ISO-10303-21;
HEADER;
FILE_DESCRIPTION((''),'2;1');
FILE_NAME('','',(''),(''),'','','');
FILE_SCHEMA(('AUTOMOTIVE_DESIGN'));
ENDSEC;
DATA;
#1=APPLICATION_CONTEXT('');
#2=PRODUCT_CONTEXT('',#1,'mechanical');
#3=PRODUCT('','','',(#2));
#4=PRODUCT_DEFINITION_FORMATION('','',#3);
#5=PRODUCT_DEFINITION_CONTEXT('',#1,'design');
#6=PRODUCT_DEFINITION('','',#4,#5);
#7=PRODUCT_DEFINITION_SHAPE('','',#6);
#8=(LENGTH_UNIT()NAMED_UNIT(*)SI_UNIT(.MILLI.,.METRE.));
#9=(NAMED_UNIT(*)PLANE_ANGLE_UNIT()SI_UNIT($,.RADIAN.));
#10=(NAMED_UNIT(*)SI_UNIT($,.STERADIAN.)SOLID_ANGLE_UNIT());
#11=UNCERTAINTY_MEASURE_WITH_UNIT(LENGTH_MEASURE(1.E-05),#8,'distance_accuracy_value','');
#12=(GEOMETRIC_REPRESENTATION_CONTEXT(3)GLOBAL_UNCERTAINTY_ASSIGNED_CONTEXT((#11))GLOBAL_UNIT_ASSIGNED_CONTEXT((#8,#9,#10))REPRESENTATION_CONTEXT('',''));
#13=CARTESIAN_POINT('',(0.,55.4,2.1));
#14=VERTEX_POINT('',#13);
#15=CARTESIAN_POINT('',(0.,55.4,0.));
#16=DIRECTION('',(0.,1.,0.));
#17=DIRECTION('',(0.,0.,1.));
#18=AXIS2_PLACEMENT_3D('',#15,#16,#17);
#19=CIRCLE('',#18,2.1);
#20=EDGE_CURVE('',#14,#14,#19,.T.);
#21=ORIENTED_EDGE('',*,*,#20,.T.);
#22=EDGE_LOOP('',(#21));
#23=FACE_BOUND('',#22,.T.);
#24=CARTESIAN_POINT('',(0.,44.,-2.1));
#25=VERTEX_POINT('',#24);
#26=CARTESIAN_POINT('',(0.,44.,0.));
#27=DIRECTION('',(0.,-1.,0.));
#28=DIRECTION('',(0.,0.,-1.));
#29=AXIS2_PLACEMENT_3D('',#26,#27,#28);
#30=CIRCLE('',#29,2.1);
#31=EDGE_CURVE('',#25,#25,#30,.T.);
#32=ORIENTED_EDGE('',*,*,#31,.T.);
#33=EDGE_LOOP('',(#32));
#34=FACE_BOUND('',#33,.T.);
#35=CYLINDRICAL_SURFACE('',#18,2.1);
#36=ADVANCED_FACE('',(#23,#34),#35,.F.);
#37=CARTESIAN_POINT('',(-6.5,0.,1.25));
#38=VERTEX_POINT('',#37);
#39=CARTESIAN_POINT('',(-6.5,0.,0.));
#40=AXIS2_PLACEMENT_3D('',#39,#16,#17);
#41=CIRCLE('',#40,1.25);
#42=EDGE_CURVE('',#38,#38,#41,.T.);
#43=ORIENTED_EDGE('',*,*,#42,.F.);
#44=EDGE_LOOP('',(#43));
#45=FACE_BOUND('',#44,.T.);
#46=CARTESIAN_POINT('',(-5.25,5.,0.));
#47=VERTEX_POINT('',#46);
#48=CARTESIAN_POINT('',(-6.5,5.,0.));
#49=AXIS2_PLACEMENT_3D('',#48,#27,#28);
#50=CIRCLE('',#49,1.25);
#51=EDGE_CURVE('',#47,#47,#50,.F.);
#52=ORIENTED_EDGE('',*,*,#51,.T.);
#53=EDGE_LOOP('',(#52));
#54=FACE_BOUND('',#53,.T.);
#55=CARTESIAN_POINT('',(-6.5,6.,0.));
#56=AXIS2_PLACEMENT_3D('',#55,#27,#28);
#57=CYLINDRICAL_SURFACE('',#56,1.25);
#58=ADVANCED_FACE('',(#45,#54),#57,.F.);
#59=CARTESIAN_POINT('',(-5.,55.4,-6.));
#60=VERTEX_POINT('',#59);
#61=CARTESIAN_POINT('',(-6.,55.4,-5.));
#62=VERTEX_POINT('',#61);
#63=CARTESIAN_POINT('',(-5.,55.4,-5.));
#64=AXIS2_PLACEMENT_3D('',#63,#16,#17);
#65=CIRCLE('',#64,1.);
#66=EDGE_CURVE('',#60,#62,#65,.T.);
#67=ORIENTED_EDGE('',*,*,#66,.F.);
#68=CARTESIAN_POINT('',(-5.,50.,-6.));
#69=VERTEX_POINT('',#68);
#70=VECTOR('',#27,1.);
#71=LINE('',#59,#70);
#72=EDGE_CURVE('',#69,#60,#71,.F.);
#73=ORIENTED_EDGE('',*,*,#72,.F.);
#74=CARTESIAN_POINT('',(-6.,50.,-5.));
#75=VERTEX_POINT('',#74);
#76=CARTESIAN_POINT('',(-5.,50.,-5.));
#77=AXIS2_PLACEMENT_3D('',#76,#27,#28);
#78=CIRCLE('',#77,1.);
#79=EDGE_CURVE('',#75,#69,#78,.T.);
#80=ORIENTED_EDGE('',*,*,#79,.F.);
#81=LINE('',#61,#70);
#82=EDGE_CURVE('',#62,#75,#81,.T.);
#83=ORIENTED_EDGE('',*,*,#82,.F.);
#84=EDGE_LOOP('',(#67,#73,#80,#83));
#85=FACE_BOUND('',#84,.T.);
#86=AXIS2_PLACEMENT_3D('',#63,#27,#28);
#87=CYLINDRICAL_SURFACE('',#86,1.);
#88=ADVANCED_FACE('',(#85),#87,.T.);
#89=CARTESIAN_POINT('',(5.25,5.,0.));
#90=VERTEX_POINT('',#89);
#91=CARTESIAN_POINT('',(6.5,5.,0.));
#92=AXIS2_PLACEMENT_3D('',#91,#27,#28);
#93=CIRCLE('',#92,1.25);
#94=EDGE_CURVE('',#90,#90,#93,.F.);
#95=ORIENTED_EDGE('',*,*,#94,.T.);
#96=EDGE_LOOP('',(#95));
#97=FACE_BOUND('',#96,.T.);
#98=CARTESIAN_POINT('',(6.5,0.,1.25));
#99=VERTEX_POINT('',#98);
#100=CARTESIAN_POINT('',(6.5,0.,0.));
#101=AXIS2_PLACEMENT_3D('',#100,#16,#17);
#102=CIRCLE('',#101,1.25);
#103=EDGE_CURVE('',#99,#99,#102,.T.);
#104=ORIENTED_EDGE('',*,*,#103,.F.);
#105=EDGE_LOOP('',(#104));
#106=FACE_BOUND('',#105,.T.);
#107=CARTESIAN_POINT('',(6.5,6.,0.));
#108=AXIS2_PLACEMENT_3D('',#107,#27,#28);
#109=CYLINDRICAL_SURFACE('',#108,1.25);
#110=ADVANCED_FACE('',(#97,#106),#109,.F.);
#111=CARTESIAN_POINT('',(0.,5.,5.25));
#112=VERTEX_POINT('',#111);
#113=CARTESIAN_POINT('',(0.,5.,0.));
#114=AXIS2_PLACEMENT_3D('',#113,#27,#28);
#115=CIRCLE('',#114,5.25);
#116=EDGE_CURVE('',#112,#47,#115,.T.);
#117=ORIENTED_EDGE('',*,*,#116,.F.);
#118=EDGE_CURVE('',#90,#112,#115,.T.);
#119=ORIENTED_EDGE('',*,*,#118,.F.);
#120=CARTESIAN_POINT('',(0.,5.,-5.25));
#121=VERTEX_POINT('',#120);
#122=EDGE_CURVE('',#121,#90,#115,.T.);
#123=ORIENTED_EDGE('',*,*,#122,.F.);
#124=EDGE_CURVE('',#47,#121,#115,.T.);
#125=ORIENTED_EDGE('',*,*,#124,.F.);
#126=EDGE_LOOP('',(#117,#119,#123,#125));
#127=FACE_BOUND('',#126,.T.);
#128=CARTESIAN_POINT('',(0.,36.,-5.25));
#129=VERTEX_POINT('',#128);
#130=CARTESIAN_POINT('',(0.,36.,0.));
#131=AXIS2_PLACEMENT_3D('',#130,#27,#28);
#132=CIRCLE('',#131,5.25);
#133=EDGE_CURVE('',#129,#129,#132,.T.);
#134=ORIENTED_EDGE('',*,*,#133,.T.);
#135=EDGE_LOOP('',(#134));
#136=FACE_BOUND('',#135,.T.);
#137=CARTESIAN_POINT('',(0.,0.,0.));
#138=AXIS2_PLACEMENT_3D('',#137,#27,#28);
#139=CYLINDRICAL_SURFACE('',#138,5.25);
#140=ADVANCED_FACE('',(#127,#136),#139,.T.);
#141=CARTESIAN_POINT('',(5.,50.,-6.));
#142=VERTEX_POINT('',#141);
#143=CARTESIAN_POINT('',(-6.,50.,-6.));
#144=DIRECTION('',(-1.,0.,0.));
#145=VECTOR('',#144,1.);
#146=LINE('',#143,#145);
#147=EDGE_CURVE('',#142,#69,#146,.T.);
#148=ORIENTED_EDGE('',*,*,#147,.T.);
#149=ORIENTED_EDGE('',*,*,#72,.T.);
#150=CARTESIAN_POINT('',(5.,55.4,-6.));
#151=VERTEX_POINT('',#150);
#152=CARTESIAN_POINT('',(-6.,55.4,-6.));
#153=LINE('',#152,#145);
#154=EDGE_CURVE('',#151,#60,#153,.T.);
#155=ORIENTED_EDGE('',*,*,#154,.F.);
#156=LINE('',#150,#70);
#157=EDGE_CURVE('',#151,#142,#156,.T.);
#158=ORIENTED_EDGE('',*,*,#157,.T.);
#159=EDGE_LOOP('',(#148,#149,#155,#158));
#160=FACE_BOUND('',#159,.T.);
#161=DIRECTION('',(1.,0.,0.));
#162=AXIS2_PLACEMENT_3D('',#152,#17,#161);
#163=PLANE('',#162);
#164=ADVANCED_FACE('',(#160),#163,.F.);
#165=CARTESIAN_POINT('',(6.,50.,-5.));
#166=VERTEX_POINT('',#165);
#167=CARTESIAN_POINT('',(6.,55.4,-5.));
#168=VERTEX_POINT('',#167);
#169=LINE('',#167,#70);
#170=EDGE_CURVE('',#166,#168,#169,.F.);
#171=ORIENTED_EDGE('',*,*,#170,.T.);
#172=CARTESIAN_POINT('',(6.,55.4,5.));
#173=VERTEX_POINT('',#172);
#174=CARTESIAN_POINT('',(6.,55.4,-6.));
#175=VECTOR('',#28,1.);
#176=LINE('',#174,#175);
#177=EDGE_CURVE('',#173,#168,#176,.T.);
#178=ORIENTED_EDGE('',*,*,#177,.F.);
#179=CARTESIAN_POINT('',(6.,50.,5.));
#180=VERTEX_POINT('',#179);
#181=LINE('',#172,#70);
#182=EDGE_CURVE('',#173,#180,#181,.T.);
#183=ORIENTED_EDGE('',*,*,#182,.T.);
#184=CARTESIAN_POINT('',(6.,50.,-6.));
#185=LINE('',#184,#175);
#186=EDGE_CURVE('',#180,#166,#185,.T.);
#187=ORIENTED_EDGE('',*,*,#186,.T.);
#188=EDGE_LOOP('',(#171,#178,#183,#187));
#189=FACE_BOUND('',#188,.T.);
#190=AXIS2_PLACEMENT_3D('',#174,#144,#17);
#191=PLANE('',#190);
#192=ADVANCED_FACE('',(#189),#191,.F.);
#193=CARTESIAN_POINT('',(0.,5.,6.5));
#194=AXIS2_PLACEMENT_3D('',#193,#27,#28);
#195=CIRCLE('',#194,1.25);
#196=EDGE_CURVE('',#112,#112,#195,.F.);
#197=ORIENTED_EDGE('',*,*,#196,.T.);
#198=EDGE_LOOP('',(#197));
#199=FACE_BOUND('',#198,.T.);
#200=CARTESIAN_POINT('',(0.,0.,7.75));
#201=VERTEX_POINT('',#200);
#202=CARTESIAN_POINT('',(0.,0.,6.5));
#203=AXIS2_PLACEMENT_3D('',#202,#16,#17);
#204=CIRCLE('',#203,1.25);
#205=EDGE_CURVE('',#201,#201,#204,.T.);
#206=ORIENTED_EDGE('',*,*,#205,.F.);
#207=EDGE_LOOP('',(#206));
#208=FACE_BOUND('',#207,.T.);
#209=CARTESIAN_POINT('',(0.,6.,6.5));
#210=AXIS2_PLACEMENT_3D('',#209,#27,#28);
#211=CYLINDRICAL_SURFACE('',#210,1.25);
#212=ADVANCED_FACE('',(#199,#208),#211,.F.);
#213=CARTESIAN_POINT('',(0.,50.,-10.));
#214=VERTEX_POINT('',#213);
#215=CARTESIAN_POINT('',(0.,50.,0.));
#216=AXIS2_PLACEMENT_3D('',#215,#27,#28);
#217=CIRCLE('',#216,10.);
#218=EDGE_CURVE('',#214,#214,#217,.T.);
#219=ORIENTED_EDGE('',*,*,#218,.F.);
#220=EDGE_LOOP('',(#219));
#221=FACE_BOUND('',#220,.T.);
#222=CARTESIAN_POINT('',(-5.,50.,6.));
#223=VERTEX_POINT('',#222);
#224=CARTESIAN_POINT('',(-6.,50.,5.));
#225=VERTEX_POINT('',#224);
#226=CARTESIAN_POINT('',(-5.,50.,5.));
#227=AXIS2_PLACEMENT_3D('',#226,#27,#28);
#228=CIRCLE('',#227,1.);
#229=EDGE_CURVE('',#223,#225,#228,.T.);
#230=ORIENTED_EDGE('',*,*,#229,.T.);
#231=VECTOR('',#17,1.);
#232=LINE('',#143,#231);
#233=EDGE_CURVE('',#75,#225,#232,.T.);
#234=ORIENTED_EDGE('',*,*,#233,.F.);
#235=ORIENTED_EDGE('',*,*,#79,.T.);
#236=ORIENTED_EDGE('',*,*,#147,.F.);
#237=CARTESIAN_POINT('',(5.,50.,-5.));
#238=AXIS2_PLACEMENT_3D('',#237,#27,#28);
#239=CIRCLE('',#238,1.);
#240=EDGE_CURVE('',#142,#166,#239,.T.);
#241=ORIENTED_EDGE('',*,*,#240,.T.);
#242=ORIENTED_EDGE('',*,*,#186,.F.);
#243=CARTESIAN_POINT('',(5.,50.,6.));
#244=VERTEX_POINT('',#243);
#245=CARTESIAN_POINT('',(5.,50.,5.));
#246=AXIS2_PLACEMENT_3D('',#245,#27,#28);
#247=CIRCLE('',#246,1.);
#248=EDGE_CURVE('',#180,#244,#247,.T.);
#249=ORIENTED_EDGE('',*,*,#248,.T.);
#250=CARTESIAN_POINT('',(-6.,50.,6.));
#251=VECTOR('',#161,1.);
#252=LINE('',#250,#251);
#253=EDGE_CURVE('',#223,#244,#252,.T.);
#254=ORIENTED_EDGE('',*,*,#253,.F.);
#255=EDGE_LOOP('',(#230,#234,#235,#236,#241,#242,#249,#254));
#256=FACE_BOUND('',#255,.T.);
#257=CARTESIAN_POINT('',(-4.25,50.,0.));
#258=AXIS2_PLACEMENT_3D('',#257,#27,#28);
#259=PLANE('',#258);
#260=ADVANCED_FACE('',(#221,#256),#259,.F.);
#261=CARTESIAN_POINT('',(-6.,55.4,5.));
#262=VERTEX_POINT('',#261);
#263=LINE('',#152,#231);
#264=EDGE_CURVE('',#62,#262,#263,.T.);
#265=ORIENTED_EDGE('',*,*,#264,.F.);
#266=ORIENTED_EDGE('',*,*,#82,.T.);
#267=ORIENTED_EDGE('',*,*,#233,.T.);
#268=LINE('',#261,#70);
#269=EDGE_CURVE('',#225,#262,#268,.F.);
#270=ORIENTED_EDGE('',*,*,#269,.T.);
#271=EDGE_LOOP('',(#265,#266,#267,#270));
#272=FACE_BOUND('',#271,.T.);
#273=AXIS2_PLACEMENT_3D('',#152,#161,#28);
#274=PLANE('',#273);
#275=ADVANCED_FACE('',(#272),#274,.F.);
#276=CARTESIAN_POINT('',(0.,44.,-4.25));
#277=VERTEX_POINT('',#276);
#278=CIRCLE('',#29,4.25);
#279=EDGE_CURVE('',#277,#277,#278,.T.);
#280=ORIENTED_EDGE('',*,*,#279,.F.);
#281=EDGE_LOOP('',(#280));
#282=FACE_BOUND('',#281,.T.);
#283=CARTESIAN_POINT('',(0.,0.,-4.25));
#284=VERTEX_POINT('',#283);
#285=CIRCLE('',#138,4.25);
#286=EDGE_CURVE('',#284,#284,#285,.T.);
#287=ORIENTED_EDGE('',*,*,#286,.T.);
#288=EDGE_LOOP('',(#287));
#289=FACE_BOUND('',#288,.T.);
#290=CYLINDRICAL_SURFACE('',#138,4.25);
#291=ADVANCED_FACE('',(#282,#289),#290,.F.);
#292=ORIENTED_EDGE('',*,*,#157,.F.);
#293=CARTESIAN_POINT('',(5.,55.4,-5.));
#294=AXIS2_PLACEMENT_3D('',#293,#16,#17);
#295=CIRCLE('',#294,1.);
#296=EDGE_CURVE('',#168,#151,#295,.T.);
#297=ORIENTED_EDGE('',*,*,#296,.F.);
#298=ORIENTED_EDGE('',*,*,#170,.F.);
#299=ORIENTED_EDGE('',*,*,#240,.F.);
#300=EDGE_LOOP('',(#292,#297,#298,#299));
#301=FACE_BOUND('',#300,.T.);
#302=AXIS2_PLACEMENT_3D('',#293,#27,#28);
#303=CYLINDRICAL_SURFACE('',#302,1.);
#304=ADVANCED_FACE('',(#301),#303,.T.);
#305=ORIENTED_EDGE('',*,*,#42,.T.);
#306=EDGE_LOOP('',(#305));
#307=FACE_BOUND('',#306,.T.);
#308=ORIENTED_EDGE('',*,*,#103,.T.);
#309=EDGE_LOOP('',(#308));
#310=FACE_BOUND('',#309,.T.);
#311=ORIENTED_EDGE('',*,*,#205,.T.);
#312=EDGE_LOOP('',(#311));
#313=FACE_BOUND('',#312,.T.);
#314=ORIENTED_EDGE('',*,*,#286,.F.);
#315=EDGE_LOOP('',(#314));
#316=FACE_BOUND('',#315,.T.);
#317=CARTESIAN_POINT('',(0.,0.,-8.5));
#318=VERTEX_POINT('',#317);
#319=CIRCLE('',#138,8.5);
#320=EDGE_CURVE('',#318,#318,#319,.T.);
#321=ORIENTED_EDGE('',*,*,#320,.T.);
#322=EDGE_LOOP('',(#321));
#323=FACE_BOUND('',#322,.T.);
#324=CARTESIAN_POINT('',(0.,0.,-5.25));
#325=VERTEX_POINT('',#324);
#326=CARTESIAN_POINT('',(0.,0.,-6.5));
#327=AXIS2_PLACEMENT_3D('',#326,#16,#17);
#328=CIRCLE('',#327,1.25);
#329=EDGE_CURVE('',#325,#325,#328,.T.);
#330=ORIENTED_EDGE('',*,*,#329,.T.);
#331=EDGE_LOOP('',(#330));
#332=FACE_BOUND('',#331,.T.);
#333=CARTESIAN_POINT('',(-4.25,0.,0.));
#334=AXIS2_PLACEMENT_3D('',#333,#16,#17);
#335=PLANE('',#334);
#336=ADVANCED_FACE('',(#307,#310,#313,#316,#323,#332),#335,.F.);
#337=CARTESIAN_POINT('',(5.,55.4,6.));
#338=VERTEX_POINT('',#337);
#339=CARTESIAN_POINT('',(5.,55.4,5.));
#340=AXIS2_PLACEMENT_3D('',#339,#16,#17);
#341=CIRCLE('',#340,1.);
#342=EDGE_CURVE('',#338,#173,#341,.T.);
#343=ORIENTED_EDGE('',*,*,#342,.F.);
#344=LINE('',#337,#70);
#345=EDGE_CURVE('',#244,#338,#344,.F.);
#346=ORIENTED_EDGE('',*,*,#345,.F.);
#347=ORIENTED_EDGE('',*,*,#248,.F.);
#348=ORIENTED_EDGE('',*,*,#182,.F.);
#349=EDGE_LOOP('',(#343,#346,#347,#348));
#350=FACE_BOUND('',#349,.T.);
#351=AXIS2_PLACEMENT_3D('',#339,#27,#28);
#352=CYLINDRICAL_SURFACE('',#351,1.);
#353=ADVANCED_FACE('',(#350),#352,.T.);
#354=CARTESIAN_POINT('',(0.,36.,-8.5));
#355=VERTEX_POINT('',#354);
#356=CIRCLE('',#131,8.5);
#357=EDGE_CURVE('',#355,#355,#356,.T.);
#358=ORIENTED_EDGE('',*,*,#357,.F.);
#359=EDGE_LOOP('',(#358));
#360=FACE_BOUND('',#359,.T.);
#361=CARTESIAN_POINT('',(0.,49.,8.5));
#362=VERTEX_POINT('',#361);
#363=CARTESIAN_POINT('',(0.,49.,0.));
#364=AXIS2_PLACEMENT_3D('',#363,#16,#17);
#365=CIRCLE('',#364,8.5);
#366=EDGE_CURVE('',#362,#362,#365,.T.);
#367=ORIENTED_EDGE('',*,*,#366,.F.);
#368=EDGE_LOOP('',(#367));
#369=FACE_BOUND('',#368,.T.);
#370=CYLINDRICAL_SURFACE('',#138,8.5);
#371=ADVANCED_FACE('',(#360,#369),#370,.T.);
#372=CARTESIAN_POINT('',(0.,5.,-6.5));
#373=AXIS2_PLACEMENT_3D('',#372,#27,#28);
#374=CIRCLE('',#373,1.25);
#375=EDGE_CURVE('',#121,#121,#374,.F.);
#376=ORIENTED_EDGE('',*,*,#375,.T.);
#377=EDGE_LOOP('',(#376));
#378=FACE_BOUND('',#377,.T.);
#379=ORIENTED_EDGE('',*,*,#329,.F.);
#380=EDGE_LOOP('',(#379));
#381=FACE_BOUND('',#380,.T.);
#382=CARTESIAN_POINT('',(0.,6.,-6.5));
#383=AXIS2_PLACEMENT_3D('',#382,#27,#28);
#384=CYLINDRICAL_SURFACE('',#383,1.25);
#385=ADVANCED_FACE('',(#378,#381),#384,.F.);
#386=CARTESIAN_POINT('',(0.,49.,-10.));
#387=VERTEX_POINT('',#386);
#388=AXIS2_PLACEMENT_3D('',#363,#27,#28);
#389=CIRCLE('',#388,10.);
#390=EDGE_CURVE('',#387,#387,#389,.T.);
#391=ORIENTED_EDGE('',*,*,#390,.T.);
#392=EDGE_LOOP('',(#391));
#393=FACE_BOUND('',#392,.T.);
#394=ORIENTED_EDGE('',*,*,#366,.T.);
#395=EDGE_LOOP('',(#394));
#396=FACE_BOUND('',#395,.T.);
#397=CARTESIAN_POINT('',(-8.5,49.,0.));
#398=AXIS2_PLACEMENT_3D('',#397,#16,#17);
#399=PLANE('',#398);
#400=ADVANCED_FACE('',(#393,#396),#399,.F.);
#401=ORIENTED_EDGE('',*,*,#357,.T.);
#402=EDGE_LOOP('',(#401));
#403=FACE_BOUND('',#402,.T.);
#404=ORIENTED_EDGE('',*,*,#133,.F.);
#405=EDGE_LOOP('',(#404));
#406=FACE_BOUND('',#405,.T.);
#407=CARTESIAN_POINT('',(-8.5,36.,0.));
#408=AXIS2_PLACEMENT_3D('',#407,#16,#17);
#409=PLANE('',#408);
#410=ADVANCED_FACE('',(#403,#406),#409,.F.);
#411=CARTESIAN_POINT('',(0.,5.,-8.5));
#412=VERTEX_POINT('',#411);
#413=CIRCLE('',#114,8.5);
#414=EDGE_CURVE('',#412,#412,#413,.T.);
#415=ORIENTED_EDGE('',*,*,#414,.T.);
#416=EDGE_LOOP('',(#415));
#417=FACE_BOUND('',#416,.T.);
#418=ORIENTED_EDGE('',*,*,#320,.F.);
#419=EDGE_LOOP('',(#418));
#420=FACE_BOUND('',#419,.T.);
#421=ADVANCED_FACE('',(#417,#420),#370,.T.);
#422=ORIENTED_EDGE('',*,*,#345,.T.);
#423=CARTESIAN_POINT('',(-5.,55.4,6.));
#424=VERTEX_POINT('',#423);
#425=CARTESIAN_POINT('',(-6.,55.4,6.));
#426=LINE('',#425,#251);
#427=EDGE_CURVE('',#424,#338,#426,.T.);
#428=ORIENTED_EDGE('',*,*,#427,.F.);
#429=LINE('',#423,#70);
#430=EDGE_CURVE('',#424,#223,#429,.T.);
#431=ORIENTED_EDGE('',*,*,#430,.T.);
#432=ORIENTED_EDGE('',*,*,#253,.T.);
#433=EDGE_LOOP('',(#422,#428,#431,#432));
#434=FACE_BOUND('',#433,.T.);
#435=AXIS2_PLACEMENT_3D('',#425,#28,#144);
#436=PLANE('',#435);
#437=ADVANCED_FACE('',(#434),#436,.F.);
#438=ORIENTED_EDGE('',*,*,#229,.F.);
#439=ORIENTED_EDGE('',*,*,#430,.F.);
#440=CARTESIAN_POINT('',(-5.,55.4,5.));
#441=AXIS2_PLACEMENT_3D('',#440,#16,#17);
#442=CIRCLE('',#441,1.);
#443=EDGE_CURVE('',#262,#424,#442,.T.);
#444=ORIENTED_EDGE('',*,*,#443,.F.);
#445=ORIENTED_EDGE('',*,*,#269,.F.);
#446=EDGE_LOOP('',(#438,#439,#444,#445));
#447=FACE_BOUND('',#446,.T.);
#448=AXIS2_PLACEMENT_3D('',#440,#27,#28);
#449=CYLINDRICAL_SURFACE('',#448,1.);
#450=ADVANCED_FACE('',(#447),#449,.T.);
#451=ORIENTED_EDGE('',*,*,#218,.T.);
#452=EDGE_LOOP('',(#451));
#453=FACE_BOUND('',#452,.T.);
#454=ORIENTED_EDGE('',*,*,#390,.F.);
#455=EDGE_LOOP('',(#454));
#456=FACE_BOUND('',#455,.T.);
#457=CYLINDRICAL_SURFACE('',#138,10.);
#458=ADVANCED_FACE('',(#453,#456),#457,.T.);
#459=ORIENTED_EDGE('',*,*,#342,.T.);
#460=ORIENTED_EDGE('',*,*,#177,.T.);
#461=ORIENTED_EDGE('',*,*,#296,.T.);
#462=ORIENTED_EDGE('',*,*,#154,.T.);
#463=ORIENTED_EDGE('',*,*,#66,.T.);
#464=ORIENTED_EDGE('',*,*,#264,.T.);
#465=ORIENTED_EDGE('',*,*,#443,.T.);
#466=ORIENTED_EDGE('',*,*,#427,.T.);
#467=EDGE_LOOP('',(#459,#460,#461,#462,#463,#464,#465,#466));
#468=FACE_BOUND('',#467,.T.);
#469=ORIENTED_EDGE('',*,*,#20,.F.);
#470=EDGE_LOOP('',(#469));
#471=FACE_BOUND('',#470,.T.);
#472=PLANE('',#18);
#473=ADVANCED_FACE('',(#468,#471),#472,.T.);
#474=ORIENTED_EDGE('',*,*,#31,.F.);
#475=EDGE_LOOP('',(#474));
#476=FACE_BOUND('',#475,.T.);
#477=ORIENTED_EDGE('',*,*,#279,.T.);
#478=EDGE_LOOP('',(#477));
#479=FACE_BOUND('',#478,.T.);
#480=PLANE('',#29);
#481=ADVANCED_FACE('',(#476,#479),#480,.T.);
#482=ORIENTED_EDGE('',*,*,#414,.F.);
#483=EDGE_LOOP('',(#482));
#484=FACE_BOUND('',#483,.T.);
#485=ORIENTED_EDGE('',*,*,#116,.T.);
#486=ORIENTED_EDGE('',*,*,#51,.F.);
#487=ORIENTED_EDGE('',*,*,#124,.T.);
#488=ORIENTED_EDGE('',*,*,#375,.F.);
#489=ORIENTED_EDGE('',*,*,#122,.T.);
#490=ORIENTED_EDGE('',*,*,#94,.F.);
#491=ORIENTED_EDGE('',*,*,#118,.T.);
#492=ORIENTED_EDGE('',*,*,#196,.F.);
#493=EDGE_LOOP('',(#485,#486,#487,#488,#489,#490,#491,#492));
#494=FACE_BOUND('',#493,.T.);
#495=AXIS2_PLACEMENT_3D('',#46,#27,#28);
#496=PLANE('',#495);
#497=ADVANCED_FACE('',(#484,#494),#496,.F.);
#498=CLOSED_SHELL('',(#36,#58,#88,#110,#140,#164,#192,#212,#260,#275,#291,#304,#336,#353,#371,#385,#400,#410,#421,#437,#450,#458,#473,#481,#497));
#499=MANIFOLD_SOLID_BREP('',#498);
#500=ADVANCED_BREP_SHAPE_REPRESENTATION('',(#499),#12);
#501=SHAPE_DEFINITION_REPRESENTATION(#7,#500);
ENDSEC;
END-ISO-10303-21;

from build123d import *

# Parameters (mm, degrees)
CUT_EXTRUDE_START   = -50
SKETCH_2_R          = 1.25
CUT_EXTRUDE_2_DEPTH = 6
SKETCH_4_W          = 12
SKETCH_4_H          = 12
EXTRUDE_1_DEPTH     = 5.4
FILLET_1_R          = 1
SKETCH_5_W          = 1.5
SKETCH_5_H          = 1
SKETCH_6_R          = 4.25
EXTRUDE_2_DEPTH     = 6
HOLE_WIZARD_M5_2_D  = 4.2


with BuildPart() as part:
    # 草图1 → 旋转1 (revolve)
    with BuildSketch(Plane.XY):
        Polygon((-8.5, 36), (-5.25, 36), (-5.25, 5), (-8.5, 5), (-8.5, 0), (-4.25, 0), (-4.25, 50), (-8.5, 50), align=None)
    revolve(axis=Axis((0, 0, 0), (0, 1, 0)))

    # 草图2 → 切除-拉伸2 (cut)
    with BuildSketch(Plane(origin=(0, 50, 0), x_dir=(1, 0, 0), z_dir=(0, 1, 0)).offset(CUT_EXTRUDE_START)):
        with Locations((0, 6.5)):
            Circle(SKETCH_2_R)
        with Locations((0, -6.5)):
            Circle(SKETCH_2_R)
        with Locations((-6.5, 0)):
            Circle(SKETCH_2_R)
        with Locations((6.5, 0)):
            Circle(SKETCH_2_R)
    extrude(amount=CUT_EXTRUDE_2_DEPTH, mode=Mode.SUBTRACT)

    # 草图4 → 凸台-拉伸1 (add)
    with BuildSketch(Plane(origin=(0, 50, 0), x_dir=(1, 0, 0), z_dir=(0, 1, 0))):
        Rectangle(SKETCH_4_W, SKETCH_4_H)
    extrude(amount=EXTRUDE_1_DEPTH)

    # 圆角1
    fillet_1_edges = [part.edges().sort_by_distance(p)[0] for p in [
        (6, 52.7, 6),
        (6, 52.7, -6),
        (-6, 52.7, -6),
        (-6, 52.7, 6),
    ]]
    fillet(fillet_1_edges, radius=FILLET_1_R)

    # 草图5 → 旋转2 (revolve)
    with BuildSketch(Plane.XY):
        with Locations((-9.25, 49.5)):
            Rectangle(SKETCH_5_W, SKETCH_5_H)
    revolve(axis=Axis((0, 0, 0), (0, 1, 0)))

    # 草图6 → 凸台-拉伸2 (add)
    with BuildSketch(Plane.XZ.offset(-50)):
        Circle(SKETCH_6_R)
    extrude(amount=EXTRUDE_2_DEPTH)

    # M5 螺纹孔2 (through all)
    with Locations(Plane(origin=(0, 55.4, 0), x_dir=(1, 0, 0), z_dir=(0, 1, 0))):
        with Locations((0, 0)):
            Hole(HOLE_WIZARD_M5_2_D / 2)


solid = part.part
